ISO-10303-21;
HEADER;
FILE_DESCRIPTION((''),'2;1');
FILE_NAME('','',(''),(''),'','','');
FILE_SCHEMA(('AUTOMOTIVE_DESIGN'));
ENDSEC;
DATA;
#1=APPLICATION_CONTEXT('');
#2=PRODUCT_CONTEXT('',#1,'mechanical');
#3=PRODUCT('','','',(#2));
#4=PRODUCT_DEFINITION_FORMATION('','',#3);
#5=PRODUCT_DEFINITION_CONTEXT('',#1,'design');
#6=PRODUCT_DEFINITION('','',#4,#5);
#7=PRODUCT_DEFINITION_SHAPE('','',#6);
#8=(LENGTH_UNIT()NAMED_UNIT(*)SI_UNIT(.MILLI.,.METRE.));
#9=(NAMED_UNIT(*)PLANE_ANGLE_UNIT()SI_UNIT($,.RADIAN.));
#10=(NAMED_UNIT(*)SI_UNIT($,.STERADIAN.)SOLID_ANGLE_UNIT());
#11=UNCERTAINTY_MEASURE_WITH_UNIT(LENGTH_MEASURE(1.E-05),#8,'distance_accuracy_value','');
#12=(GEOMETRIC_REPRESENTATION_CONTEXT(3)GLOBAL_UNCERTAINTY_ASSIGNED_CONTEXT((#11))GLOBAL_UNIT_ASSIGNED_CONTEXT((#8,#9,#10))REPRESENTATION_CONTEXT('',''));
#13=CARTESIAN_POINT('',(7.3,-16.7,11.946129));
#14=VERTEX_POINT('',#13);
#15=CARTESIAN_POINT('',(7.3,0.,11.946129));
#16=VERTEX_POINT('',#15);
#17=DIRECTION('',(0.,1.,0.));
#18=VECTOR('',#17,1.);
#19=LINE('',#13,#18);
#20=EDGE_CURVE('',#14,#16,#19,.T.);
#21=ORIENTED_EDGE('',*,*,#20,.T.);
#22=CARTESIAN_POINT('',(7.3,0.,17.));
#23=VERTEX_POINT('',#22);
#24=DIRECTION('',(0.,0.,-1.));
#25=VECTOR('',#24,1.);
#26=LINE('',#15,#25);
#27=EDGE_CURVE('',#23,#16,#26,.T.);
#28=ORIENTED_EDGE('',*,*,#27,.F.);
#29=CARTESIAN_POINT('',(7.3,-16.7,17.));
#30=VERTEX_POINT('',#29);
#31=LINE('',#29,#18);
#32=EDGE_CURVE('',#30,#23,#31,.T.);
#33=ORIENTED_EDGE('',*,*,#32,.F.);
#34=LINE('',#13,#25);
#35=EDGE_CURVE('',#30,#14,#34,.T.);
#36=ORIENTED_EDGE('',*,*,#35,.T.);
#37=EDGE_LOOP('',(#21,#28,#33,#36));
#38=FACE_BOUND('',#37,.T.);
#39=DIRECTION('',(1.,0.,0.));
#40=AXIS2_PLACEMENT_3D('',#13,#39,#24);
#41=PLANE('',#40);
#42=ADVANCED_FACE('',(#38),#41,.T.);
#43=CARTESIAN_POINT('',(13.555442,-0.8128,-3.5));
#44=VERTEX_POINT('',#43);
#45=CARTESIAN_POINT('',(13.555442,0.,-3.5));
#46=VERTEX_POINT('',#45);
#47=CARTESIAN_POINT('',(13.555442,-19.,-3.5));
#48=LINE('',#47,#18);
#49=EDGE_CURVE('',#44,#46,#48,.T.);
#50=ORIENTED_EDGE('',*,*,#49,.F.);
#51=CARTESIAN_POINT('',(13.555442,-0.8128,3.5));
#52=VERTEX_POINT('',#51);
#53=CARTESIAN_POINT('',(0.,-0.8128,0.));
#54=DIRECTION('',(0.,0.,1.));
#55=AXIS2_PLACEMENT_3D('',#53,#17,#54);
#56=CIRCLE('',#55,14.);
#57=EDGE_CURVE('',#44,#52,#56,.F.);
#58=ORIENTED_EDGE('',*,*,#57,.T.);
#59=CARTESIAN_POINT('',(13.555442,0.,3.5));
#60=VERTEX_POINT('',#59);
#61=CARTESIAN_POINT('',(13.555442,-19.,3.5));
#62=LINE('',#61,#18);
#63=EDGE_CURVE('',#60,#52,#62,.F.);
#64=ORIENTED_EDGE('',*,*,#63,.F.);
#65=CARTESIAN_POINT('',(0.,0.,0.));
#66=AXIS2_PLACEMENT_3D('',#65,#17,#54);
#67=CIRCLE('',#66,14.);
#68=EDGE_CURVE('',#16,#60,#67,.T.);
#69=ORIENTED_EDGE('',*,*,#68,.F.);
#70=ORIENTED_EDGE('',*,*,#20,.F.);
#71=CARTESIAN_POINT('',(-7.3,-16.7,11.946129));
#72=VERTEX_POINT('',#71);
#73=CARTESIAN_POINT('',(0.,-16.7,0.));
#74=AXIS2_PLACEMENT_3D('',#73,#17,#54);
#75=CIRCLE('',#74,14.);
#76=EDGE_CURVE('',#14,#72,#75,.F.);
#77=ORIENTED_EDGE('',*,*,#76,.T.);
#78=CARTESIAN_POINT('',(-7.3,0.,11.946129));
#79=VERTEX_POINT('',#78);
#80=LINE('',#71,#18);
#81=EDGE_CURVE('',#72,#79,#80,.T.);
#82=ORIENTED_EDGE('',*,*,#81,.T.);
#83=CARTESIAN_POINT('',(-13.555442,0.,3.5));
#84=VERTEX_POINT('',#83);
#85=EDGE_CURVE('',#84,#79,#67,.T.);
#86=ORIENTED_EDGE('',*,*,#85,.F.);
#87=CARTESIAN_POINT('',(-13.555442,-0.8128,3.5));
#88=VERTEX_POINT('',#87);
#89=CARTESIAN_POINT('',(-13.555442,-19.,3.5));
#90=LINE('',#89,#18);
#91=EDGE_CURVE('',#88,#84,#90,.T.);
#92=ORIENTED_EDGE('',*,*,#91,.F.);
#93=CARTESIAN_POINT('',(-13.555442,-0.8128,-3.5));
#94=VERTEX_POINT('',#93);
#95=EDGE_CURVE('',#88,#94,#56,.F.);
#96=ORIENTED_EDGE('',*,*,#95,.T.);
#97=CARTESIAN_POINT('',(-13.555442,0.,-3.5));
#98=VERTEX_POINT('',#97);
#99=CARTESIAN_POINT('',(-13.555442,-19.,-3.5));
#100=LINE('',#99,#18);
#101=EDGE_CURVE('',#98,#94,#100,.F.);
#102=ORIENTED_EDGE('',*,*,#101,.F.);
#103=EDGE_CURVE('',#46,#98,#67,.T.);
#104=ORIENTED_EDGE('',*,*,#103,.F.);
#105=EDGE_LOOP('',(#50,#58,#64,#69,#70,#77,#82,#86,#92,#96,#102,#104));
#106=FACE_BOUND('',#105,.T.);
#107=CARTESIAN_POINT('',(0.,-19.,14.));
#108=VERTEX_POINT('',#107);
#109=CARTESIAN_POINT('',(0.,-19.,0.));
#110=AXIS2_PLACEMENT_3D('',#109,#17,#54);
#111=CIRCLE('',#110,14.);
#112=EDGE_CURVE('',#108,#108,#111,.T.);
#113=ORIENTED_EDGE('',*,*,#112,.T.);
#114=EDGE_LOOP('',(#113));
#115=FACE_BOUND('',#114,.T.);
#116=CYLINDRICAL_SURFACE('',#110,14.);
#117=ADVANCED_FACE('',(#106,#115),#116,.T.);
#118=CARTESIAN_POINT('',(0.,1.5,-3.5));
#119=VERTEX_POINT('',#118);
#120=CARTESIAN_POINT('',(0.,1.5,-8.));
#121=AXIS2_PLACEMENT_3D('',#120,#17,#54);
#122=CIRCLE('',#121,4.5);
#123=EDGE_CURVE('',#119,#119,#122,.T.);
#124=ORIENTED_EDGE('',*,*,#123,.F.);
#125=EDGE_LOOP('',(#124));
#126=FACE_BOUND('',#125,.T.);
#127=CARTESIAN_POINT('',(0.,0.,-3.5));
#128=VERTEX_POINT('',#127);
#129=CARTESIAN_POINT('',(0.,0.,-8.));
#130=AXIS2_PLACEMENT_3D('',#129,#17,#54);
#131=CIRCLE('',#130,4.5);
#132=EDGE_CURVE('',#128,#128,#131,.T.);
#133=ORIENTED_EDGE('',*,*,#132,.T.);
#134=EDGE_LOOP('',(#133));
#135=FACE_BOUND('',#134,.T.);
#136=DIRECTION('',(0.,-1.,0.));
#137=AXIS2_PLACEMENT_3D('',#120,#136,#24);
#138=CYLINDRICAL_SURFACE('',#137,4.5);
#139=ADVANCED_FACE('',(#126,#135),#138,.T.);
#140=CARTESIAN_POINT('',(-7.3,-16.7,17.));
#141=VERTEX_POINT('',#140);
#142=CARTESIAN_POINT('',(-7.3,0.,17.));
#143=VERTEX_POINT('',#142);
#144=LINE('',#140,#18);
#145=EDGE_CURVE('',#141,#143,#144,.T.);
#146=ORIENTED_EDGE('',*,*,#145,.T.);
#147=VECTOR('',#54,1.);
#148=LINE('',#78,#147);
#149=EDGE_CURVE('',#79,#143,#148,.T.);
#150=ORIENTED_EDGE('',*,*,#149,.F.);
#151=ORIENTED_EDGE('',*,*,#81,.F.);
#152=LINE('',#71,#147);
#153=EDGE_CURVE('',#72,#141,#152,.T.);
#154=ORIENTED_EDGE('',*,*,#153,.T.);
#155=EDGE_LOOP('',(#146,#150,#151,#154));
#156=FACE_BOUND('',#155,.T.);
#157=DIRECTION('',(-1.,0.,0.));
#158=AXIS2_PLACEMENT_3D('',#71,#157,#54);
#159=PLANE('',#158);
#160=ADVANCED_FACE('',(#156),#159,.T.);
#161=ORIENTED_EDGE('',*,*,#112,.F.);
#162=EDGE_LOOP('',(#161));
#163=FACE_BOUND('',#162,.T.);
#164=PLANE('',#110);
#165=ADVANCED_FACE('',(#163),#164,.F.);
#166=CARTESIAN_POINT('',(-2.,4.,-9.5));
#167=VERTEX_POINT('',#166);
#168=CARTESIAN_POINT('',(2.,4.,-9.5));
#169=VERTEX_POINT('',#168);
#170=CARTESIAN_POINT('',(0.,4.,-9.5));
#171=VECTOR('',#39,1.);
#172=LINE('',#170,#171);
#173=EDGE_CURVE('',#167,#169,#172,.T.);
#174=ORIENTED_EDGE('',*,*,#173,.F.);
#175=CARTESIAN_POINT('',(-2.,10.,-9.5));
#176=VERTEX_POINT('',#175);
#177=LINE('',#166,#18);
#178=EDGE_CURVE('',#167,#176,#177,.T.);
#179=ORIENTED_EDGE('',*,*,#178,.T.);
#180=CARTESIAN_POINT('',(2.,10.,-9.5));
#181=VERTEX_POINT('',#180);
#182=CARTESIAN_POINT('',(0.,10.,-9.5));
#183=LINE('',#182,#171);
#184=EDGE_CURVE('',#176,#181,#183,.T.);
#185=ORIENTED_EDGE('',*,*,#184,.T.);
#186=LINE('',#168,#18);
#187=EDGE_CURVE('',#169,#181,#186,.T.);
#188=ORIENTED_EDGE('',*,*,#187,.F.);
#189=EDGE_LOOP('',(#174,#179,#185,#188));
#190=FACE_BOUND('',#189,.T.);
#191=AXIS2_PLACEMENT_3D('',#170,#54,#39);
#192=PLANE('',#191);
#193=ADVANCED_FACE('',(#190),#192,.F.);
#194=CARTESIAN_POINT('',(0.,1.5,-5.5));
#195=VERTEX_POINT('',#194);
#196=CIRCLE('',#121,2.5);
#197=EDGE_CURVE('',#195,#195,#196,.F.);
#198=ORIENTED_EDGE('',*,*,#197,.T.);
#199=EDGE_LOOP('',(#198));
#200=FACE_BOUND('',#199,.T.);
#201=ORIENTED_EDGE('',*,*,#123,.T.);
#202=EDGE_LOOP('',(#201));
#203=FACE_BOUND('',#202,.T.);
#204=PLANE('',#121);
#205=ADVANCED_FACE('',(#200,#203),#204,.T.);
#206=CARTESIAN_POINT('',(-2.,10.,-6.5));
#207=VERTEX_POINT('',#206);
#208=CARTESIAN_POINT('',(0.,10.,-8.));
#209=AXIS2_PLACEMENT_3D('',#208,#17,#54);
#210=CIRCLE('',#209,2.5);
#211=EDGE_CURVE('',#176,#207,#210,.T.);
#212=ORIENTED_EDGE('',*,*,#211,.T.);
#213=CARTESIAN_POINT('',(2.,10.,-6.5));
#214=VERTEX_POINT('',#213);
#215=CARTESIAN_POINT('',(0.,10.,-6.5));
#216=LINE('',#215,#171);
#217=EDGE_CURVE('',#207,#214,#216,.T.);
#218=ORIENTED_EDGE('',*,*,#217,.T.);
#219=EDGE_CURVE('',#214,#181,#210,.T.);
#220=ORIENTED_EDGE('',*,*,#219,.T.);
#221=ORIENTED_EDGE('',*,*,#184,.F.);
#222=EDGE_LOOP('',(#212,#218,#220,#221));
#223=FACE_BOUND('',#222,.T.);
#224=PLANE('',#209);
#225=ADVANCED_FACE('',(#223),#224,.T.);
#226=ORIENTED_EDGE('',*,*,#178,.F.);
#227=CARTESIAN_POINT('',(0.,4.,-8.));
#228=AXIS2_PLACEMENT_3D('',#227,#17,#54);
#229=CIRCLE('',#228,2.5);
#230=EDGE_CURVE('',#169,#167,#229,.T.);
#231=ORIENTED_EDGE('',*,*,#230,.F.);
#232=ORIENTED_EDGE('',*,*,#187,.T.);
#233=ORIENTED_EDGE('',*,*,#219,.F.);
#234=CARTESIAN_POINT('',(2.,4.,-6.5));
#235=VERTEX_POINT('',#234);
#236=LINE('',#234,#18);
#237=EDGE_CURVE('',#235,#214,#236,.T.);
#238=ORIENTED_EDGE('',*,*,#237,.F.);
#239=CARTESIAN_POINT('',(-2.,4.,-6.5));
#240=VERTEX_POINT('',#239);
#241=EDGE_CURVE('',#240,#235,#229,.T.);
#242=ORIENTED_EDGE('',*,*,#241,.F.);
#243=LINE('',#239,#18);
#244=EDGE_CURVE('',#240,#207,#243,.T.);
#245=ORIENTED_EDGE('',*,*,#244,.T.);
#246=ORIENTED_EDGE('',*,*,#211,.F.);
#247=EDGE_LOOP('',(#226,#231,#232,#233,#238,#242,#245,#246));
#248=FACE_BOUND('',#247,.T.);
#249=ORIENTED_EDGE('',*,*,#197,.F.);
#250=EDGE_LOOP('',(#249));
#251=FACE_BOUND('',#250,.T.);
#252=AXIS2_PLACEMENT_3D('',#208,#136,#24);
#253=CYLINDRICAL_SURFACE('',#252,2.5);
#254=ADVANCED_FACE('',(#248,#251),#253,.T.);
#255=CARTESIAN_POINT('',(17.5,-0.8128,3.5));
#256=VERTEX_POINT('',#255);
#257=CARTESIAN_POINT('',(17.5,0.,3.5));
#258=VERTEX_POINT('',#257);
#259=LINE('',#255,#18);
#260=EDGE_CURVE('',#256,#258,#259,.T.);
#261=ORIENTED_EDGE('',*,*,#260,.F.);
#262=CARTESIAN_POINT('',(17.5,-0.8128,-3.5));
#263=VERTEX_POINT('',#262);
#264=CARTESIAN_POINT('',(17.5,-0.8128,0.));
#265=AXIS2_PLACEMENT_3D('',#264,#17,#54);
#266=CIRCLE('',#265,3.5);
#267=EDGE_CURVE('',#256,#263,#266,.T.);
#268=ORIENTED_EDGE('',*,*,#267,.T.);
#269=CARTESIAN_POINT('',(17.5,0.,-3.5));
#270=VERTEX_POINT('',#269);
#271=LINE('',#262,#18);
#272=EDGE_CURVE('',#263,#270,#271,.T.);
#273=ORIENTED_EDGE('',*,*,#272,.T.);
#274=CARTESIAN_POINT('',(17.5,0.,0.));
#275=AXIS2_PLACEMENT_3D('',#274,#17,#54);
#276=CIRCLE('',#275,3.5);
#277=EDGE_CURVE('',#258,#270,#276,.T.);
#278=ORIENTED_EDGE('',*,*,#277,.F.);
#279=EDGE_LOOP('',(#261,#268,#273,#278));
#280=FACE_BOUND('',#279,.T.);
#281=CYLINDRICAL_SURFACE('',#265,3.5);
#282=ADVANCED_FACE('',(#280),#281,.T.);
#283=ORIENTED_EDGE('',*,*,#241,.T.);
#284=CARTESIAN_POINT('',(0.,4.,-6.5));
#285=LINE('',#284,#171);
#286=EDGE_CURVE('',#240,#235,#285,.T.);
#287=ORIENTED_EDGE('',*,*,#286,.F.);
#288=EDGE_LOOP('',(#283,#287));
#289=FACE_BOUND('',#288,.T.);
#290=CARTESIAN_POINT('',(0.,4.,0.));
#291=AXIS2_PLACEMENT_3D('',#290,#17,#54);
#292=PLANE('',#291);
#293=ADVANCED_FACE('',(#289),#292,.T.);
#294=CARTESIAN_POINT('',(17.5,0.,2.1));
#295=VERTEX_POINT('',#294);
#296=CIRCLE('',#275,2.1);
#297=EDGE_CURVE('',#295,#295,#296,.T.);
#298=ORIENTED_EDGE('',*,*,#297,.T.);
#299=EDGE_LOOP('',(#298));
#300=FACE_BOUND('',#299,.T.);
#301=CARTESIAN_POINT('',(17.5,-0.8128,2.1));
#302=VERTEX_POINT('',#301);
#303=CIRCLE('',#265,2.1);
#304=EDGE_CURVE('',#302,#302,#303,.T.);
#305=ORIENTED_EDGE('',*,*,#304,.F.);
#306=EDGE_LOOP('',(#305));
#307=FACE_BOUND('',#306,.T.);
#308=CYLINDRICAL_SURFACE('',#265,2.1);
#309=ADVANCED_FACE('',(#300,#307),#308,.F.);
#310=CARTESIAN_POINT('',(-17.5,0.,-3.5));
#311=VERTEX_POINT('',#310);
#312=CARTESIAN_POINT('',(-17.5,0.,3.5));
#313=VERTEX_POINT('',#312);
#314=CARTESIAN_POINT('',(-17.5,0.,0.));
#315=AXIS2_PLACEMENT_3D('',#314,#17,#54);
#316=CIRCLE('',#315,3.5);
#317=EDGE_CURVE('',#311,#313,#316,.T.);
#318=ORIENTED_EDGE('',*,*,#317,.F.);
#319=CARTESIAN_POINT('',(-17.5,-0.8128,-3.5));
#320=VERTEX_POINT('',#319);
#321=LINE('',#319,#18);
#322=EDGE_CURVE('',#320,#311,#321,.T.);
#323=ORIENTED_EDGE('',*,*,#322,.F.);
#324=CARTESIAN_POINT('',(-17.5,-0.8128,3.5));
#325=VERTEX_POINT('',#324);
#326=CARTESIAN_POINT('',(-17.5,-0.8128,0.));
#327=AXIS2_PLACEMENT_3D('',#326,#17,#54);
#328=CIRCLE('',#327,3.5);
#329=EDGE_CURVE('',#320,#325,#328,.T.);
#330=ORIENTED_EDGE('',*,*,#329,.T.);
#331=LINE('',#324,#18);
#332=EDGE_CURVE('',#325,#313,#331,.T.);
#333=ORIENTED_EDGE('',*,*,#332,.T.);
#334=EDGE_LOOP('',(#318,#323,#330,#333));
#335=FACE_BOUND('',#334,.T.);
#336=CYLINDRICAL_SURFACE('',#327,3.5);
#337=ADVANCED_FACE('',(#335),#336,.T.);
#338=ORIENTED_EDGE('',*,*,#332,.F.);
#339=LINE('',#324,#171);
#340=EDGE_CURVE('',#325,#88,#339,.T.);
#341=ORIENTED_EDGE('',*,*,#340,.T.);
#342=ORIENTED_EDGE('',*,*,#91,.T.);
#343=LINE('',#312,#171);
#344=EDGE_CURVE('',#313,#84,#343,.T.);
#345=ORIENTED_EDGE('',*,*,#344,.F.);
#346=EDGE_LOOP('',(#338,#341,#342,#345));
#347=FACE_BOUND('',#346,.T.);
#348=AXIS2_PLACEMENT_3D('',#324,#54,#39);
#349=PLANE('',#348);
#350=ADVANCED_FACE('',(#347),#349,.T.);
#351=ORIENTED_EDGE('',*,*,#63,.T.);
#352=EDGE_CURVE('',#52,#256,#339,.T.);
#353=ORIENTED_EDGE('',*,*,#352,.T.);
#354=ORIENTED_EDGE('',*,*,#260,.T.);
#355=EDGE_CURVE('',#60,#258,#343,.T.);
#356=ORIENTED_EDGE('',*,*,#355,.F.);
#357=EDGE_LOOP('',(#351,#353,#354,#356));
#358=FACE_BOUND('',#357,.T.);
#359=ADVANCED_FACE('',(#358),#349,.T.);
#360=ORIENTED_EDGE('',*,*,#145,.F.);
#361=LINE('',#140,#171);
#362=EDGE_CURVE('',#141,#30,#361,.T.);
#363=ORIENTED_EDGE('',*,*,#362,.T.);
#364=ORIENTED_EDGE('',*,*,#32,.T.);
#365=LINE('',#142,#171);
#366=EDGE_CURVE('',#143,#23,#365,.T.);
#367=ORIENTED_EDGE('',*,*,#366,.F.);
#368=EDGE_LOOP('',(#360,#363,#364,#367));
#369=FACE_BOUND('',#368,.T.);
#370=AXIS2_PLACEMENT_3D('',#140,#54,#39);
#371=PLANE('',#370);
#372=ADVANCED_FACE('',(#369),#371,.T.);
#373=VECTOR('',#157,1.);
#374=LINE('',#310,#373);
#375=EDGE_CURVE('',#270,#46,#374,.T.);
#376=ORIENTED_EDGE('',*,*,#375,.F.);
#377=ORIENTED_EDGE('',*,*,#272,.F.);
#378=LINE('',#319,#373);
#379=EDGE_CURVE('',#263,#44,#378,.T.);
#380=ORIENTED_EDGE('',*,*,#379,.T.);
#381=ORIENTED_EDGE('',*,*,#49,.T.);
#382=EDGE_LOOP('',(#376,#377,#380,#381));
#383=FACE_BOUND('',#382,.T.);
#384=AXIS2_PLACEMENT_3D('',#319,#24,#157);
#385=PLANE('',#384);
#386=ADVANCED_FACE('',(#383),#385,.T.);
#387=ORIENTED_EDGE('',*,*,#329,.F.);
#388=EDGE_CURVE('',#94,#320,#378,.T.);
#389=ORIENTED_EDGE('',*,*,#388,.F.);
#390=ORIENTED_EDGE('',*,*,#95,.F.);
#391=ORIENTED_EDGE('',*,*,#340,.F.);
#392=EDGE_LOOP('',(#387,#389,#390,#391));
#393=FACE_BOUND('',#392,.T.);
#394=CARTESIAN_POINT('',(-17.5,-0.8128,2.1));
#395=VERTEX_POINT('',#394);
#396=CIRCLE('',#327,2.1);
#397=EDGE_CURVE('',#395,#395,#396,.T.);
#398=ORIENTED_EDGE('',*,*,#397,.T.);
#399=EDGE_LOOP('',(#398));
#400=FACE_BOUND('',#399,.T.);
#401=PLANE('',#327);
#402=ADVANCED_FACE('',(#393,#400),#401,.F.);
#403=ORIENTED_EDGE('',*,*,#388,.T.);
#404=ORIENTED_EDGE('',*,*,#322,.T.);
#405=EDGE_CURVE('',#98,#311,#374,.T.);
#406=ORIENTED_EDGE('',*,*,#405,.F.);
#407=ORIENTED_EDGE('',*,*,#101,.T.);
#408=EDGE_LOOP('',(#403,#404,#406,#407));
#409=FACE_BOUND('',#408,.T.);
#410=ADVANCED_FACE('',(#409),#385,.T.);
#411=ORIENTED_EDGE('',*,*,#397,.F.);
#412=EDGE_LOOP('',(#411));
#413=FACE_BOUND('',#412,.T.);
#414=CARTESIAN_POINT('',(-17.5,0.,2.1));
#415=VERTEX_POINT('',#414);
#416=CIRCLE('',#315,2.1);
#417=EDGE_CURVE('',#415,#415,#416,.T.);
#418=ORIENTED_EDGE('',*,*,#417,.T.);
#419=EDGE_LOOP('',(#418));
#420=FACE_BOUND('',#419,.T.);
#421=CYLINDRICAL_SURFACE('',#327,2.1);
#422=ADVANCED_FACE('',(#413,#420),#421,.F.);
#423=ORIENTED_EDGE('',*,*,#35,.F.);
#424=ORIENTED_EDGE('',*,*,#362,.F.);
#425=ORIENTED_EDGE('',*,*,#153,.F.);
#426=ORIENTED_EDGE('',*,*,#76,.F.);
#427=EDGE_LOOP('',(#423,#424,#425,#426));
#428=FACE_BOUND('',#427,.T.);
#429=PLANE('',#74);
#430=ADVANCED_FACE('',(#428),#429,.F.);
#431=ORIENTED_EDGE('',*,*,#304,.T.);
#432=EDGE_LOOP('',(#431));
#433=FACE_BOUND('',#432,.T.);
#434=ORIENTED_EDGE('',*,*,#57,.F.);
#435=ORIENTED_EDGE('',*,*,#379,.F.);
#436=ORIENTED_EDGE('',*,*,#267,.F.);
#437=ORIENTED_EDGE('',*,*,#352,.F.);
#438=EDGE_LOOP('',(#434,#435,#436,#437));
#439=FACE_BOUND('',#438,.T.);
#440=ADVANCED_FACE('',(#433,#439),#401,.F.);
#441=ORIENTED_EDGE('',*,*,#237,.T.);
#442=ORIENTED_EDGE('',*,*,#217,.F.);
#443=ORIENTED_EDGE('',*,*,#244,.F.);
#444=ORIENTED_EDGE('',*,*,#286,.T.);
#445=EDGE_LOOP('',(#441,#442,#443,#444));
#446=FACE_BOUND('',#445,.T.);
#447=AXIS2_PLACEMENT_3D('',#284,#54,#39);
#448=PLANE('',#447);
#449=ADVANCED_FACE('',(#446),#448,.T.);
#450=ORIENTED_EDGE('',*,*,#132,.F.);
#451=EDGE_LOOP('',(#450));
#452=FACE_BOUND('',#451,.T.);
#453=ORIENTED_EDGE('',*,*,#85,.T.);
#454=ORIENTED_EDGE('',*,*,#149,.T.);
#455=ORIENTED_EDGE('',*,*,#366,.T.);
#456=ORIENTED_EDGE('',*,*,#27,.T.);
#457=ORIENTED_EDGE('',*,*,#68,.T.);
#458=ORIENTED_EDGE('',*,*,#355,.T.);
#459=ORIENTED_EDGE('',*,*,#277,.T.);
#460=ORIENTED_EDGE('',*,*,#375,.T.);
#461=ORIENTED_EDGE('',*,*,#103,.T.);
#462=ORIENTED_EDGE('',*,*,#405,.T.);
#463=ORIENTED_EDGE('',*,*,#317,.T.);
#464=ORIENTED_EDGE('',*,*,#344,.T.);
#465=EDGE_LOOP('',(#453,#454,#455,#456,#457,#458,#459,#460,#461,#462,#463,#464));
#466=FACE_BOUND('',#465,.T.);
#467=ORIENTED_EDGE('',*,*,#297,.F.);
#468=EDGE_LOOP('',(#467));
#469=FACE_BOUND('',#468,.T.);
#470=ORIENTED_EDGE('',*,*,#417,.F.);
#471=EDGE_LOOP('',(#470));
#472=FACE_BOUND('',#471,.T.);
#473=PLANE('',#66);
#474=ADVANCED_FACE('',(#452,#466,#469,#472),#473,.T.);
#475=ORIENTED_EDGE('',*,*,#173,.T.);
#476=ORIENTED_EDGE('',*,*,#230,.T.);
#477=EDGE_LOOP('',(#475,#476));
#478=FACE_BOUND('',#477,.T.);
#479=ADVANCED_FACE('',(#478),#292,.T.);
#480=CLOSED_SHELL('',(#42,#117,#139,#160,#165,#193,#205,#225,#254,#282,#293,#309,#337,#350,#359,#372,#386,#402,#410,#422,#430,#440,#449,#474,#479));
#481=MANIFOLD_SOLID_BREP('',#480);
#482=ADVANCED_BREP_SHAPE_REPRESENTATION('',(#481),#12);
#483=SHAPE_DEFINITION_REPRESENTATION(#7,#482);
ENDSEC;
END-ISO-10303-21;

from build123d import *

# Parameters (mm, degrees)
SKETCH1_R           = 14
BOSS_EXTRUDE1_DEPTH = 19
BOSS_EXTRUDE2_DEPTH = 0.8128
SKETCH3_R           = 2.1
CUT_EXTRUDE1_DEPTH  = 0.8128
SKETCH4_R           = 4.5
BOSS_EXTRUDE3_DEPTH = 1.5
BOSS_EXTRUDE4_START = -1.5
SKETCH5_R           = 2.5
BOSS_EXTRUDE4_DEPTH = 10
CUT_EXTRUDE2_DEPTH  = 6
SKETCH7_W           = 14.6
SKETCH7_H           = 5.05387092
BOSS_EXTRUDE5_DEPTH = 16.7


with BuildPart() as part:
    # Sketch1 → Boss-Extrude1 (new body)
    with BuildSketch(Plane(origin=(0, 0, 0), x_dir=(1, 0, 0), z_dir=(0, 1, 0))):
        Circle(SKETCH1_R)
    extrude(amount=-BOSS_EXTRUDE1_DEPTH)

    # Sketch2 → Boss-Extrude2 (add)
    with BuildSketch(Plane(origin=(0, 0, 0), x_dir=(1, 0, 0), z_dir=(0, 1, 0))):
        with BuildLine():
            Line((-17.5, 3.5), (17.5, 3.5))
            ThreePointArc((17.5, 3.5), (21, 0), (17.5, -3.5))
            Line((17.5, -3.5), (-17.5, -3.5))
            ThreePointArc((-17.5, -3.5), (-21, 0), (-17.5, 3.5))
        make_face()
    extrude(amount=-BOSS_EXTRUDE2_DEPTH)

    # Sketch3 → Cut-Extrude1 (cut)
    with BuildSketch(Plane(origin=(0, 0, 0), x_dir=(1, 0, 0), z_dir=(0, 1, 0))):
        with Locations((-17.5, 0)):
            Circle(SKETCH3_R)
        with Locations((17.5, 0)):
            Circle(SKETCH3_R)
    extrude(amount=-CUT_EXTRUDE1_DEPTH, mode=Mode.SUBTRACT)

    # Sketch4 → Boss-Extrude3 (add)
    with BuildSketch(Plane(origin=(0, 0, 0), x_dir=(1, 0, 0), z_dir=(0, 1, 0))):
        with Locations((0, 8)):
            Circle(SKETCH4_R)
    extrude(amount=BOSS_EXTRUDE3_DEPTH)

    # Sketch5 → Boss-Extrude4 (add)
    with BuildSketch(Plane(origin=(0, 1.5, 0), x_dir=(1, 0, 0), z_dir=(0, 1, 0)).offset(BOSS_EXTRUDE4_START)):
        with Locations((0, 8)):
            Circle(SKETCH5_R)
    extrude(amount=BOSS_EXTRUDE4_DEPTH)

    # Sketch6 → Cut-Extrude2 (cut)
    with BuildSketch(Plane(origin=(0, 10, 0), x_dir=(1, 0, 0), z_dir=(0, 1, 0))):
        with BuildLine():
            ThreePointArc((2, 9.5), (0, 10.5), (-2, 9.5))
            Line((-2, 9.5), (2, 9.5))
        make_face()
        with BuildLine():
            Line((2, 6.5), (-2, 6.5))
            ThreePointArc((-2, 6.5), (0, 5.5), (2, 6.5))
        make_face()
    extrude(amount=-CUT_EXTRUDE2_DEPTH, mode=Mode.SUBTRACT)

    # Sketch7 → Boss-Extrude5 (add)
    with BuildSketch(Plane(origin=(0, 0, 0), x_dir=(1, 0, 0), z_dir=(0, 1, 0))):
        with Locations((0, -14.47306454)):
            Rectangle(SKETCH7_W, SKETCH7_H)
    extrude(amount=-BOSS_EXTRUDE5_DEPTH)


solid = part.part
